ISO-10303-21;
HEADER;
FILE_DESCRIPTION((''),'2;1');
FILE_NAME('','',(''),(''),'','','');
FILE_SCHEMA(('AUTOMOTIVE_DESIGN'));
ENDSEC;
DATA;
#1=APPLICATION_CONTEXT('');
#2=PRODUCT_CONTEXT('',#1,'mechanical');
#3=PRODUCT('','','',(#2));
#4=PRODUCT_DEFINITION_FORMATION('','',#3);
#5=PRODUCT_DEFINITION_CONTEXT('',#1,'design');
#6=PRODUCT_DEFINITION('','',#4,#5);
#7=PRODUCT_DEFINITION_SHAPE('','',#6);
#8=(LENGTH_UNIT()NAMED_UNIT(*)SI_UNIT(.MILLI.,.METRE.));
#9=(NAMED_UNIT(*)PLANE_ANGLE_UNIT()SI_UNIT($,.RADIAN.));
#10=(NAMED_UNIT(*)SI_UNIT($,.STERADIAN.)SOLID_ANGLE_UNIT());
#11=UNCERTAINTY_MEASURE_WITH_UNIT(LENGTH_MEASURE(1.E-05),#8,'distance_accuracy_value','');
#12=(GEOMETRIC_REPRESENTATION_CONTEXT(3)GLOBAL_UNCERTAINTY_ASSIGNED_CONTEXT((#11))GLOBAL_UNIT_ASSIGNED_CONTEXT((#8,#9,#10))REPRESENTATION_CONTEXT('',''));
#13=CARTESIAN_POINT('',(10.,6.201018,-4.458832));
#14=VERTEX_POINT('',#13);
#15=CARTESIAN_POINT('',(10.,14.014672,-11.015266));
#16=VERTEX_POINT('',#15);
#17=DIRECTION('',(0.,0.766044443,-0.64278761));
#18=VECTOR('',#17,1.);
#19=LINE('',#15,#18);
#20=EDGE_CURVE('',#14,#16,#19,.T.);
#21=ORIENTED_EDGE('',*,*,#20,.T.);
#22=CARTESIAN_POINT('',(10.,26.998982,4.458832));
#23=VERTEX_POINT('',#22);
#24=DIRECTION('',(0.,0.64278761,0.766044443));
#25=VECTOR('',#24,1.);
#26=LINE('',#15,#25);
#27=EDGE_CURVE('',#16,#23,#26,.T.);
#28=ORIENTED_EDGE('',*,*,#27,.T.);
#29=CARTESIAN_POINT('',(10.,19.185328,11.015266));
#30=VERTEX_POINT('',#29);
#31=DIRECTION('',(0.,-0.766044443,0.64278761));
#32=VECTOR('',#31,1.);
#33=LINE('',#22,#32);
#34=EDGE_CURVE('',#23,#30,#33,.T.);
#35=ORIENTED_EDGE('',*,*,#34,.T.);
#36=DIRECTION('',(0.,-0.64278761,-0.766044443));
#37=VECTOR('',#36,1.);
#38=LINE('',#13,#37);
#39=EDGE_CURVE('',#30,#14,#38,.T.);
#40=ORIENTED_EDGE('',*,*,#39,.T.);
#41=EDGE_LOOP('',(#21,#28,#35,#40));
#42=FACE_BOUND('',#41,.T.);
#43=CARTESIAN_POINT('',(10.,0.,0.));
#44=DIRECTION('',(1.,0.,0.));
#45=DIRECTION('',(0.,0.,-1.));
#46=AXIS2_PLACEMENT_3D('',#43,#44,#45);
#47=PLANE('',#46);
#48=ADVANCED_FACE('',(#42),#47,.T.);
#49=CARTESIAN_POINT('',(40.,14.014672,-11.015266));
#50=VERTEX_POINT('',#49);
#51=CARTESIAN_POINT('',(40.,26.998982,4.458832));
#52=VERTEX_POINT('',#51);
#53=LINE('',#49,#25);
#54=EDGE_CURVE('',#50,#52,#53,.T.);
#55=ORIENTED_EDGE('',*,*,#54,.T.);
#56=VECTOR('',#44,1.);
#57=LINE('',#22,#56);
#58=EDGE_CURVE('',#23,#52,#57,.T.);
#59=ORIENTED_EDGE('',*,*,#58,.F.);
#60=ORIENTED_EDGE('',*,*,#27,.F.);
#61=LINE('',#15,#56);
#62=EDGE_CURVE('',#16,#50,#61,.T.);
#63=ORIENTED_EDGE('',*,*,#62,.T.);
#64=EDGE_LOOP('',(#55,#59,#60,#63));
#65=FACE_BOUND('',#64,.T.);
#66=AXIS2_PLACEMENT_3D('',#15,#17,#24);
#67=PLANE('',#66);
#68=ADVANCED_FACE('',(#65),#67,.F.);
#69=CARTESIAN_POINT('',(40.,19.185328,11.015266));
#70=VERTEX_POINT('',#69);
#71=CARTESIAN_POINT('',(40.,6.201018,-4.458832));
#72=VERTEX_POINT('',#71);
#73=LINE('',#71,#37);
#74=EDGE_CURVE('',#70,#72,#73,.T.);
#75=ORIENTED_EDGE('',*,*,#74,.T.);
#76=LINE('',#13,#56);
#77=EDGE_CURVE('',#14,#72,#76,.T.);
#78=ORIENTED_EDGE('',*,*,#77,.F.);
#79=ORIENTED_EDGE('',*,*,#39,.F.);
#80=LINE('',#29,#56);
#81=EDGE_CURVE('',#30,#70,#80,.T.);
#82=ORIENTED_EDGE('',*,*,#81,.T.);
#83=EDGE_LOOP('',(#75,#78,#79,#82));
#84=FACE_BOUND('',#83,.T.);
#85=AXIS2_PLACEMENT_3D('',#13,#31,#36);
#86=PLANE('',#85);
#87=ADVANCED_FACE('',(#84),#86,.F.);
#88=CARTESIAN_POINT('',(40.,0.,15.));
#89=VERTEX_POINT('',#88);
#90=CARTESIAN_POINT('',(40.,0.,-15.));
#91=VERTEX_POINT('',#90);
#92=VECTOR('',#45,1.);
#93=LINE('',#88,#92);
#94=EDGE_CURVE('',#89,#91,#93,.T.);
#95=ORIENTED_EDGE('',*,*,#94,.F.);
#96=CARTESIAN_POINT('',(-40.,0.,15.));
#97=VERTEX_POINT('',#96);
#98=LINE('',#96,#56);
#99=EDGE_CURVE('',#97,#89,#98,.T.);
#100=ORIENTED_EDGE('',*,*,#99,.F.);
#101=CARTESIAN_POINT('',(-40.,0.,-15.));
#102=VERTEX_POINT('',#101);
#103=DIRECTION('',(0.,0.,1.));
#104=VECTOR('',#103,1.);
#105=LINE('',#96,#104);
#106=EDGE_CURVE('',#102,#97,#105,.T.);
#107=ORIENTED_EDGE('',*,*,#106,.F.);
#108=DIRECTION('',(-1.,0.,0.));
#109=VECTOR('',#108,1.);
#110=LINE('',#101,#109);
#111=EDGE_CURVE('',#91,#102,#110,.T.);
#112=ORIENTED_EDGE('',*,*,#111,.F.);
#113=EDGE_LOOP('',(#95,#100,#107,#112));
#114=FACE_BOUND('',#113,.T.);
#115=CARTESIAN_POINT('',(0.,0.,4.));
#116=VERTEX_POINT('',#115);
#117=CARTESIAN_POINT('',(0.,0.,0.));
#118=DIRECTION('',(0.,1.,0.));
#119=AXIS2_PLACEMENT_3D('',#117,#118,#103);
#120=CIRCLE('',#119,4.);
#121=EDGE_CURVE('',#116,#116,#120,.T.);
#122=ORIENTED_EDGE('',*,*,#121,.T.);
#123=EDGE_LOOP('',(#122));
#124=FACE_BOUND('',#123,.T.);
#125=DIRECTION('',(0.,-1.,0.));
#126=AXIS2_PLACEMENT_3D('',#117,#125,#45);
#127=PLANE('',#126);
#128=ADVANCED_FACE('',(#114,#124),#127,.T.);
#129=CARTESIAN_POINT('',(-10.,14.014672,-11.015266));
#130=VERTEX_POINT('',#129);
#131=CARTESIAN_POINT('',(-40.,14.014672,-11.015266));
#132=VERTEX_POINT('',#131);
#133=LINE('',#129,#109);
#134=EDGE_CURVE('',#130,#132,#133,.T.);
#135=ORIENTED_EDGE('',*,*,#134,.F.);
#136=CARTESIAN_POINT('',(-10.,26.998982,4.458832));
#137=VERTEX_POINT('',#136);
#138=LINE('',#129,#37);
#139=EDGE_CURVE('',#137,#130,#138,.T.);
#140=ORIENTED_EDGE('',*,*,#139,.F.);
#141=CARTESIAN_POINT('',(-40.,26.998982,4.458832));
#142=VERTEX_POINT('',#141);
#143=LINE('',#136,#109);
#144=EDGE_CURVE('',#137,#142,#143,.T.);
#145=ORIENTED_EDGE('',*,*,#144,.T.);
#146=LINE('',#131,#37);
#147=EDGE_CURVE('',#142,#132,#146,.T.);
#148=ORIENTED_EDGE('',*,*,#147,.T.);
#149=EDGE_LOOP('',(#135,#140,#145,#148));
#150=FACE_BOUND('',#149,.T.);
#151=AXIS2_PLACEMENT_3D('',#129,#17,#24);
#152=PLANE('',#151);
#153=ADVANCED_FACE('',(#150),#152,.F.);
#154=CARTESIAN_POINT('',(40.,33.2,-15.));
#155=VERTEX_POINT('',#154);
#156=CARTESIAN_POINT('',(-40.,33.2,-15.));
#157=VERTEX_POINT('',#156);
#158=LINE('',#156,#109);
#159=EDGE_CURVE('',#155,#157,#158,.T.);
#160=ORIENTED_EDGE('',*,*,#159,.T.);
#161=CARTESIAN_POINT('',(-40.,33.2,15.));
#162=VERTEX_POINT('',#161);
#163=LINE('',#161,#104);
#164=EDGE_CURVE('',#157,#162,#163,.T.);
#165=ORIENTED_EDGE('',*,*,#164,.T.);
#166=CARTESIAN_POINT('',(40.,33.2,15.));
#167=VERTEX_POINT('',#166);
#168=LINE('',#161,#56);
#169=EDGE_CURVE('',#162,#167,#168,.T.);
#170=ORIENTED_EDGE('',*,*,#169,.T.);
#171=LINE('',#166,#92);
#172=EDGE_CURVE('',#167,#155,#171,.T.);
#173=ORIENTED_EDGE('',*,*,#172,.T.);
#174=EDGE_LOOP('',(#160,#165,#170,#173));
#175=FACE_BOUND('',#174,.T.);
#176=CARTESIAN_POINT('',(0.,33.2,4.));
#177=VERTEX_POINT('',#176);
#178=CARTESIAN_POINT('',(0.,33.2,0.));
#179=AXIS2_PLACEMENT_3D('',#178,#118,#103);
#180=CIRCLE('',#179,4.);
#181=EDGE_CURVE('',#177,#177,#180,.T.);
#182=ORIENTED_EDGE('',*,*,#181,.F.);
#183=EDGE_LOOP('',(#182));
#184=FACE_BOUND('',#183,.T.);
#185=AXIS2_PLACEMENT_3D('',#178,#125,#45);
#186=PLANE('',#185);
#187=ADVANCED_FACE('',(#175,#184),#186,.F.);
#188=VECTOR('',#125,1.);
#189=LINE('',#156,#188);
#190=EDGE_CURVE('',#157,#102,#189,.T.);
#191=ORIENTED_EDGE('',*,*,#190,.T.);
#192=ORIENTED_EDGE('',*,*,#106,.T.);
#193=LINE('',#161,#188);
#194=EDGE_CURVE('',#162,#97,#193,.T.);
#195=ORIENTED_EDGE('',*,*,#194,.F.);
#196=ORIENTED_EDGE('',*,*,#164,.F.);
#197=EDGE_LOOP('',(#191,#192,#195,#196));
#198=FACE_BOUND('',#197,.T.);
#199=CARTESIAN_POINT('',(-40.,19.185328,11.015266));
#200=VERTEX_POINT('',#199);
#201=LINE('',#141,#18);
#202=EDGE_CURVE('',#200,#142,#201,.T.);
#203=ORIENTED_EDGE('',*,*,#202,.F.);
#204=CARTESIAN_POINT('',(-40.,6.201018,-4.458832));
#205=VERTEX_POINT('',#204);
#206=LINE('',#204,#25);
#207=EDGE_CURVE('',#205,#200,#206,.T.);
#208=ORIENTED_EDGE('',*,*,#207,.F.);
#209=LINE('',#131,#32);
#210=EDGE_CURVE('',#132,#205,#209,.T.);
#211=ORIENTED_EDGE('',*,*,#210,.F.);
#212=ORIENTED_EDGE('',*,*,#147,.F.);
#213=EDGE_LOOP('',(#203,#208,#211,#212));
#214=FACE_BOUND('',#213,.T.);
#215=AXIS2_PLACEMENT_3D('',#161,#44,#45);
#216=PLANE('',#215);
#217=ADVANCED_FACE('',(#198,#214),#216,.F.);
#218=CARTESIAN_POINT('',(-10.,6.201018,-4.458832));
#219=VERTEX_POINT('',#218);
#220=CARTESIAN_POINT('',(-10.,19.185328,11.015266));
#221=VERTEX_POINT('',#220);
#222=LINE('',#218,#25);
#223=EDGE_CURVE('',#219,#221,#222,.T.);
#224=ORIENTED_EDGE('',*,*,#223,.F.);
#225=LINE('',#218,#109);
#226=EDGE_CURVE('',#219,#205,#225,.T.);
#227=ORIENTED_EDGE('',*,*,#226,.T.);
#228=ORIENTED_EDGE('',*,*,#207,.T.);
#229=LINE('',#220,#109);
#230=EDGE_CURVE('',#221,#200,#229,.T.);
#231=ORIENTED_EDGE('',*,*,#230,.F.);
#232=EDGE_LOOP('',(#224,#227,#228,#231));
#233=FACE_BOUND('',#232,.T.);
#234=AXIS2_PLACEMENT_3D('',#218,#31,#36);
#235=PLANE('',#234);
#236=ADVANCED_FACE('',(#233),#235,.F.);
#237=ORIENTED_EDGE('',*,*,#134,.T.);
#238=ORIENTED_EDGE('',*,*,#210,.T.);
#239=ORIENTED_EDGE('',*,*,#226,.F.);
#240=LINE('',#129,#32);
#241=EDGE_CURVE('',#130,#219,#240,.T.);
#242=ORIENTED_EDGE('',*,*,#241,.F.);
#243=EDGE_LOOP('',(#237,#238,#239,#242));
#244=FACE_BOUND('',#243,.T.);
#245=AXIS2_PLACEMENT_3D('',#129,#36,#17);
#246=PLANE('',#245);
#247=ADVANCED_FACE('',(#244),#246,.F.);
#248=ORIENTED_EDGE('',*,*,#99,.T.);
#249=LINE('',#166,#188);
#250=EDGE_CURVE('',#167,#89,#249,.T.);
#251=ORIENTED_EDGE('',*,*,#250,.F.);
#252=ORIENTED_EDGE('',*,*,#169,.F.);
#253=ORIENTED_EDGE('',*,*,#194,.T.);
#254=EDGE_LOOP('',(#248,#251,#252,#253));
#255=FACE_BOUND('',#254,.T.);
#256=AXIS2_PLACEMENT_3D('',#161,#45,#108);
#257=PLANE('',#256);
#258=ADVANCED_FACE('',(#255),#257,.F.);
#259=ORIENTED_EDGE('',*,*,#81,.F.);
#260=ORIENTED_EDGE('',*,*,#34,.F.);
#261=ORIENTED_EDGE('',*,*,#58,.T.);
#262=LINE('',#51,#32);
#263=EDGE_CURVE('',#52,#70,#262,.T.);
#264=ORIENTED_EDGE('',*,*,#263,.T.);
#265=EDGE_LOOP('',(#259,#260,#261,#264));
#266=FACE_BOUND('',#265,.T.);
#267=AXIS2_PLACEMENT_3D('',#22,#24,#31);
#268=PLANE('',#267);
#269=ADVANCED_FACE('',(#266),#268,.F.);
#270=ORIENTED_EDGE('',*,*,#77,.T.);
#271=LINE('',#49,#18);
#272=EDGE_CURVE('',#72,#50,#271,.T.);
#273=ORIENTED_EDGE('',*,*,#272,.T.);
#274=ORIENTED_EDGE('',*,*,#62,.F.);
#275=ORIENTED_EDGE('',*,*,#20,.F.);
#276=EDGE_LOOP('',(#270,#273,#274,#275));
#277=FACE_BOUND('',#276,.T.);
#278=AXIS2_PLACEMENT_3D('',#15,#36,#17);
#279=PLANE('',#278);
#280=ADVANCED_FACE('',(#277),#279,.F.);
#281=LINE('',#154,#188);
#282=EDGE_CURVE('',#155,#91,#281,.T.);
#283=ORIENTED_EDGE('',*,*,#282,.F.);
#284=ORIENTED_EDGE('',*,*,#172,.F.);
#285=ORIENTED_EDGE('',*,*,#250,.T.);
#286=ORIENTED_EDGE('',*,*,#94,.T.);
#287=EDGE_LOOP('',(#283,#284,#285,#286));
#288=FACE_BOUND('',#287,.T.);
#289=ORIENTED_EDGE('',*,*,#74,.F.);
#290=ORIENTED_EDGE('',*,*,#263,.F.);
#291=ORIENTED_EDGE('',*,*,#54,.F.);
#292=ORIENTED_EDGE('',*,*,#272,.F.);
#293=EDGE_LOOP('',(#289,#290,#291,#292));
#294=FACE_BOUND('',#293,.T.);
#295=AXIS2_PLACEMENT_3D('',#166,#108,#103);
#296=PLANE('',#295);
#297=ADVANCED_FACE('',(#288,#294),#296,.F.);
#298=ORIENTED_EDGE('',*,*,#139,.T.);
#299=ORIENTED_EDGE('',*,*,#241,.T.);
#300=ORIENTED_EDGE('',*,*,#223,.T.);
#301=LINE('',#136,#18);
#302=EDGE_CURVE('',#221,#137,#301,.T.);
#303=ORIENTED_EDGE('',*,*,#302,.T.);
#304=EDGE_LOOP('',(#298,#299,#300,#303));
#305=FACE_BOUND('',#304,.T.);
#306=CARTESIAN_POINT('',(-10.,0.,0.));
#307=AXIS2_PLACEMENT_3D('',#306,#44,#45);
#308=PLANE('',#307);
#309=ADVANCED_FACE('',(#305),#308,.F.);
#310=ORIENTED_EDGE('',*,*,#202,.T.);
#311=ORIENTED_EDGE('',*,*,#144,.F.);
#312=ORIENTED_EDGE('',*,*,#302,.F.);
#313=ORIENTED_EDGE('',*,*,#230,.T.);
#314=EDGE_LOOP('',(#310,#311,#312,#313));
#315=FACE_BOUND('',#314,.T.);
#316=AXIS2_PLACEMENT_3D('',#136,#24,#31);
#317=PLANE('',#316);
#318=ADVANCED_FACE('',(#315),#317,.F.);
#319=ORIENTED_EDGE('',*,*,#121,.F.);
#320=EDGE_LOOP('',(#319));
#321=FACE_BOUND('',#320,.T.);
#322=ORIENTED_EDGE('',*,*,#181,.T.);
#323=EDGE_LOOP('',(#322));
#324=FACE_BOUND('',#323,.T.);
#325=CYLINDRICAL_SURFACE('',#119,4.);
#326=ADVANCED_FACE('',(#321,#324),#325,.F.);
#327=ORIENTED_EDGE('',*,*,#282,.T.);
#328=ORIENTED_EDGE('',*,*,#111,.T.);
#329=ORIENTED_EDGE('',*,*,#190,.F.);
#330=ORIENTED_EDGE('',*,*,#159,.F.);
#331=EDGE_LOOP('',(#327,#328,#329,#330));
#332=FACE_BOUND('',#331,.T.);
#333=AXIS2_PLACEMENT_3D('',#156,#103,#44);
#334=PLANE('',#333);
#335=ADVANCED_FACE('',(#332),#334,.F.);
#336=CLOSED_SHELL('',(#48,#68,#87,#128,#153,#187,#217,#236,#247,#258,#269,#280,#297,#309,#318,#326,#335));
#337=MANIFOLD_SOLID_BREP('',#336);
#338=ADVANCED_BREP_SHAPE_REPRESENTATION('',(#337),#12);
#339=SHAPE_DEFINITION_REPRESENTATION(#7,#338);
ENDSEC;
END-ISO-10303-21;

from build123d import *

# Parameters (mm, degrees)
SKETCH_1_W          = 80
SKETCH_1_H          = 30
EXTRUDE_1_DEPTH     = 33.2
SKETCH_2_R          = 4
CUT_EXTRUDE_1_DEPTH = 34.2
CUT_EXTRUDE_4_DEPTH = 30
CUT_EXTRUDE_5_DEPTH = 30


with BuildPart() as part:
    # Эскиз1 → Бобышка-Вытянуть1 (new body)
    with BuildSketch(Plane(origin=(0, 0, 0), x_dir=(1, 0, 0), z_dir=(0, 1, 0))):
        Rectangle(SKETCH_1_W, SKETCH_1_H)
    extrude(amount=EXTRUDE_1_DEPTH)

    # Эскиз2 → Вырез-Вытянуть1 (cut, through all)
    with BuildSketch(Plane(origin=(0, 33.2, 0), x_dir=(1, 0, 0), z_dir=(0, 1, 0))):
        with Locations(Location((0, 0, 0), (0, 0, 270))):  # turned: the seam where the file's is
            Circle(SKETCH_2_R)
    extrude(amount=-CUT_EXTRUDE_1_DEPTH, mode=Mode.SUBTRACT)

    # Эскиз5 → Вырез-Вытянуть4 (cut)
    with BuildSketch(Plane.ZY.offset(40)):
        Polygon((-11.015265685, 14.014671802), (-4.458832066, 6.201018482), (11.015265685, 19.185328198), (4.458832066, 26.998981518), align=None)
    extrude(amount=-CUT_EXTRUDE_4_DEPTH, mode=Mode.SUBTRACT)

    # Эскиз6 → Вырез-Вытянуть5 (cut)
    with BuildSketch(Plane(origin=(40, 0, 0), x_dir=(0, 0, -1), z_dir=(1, 0, 0))):
        Polygon((11.015265685, 14.014671802), (4.458832066, 6.201018482), (-11.015265685, 19.185328198), (-4.458832066, 26.998981518), align=None)
    extrude(amount=-CUT_EXTRUDE_5_DEPTH, mode=Mode.SUBTRACT)


solid = part.part
